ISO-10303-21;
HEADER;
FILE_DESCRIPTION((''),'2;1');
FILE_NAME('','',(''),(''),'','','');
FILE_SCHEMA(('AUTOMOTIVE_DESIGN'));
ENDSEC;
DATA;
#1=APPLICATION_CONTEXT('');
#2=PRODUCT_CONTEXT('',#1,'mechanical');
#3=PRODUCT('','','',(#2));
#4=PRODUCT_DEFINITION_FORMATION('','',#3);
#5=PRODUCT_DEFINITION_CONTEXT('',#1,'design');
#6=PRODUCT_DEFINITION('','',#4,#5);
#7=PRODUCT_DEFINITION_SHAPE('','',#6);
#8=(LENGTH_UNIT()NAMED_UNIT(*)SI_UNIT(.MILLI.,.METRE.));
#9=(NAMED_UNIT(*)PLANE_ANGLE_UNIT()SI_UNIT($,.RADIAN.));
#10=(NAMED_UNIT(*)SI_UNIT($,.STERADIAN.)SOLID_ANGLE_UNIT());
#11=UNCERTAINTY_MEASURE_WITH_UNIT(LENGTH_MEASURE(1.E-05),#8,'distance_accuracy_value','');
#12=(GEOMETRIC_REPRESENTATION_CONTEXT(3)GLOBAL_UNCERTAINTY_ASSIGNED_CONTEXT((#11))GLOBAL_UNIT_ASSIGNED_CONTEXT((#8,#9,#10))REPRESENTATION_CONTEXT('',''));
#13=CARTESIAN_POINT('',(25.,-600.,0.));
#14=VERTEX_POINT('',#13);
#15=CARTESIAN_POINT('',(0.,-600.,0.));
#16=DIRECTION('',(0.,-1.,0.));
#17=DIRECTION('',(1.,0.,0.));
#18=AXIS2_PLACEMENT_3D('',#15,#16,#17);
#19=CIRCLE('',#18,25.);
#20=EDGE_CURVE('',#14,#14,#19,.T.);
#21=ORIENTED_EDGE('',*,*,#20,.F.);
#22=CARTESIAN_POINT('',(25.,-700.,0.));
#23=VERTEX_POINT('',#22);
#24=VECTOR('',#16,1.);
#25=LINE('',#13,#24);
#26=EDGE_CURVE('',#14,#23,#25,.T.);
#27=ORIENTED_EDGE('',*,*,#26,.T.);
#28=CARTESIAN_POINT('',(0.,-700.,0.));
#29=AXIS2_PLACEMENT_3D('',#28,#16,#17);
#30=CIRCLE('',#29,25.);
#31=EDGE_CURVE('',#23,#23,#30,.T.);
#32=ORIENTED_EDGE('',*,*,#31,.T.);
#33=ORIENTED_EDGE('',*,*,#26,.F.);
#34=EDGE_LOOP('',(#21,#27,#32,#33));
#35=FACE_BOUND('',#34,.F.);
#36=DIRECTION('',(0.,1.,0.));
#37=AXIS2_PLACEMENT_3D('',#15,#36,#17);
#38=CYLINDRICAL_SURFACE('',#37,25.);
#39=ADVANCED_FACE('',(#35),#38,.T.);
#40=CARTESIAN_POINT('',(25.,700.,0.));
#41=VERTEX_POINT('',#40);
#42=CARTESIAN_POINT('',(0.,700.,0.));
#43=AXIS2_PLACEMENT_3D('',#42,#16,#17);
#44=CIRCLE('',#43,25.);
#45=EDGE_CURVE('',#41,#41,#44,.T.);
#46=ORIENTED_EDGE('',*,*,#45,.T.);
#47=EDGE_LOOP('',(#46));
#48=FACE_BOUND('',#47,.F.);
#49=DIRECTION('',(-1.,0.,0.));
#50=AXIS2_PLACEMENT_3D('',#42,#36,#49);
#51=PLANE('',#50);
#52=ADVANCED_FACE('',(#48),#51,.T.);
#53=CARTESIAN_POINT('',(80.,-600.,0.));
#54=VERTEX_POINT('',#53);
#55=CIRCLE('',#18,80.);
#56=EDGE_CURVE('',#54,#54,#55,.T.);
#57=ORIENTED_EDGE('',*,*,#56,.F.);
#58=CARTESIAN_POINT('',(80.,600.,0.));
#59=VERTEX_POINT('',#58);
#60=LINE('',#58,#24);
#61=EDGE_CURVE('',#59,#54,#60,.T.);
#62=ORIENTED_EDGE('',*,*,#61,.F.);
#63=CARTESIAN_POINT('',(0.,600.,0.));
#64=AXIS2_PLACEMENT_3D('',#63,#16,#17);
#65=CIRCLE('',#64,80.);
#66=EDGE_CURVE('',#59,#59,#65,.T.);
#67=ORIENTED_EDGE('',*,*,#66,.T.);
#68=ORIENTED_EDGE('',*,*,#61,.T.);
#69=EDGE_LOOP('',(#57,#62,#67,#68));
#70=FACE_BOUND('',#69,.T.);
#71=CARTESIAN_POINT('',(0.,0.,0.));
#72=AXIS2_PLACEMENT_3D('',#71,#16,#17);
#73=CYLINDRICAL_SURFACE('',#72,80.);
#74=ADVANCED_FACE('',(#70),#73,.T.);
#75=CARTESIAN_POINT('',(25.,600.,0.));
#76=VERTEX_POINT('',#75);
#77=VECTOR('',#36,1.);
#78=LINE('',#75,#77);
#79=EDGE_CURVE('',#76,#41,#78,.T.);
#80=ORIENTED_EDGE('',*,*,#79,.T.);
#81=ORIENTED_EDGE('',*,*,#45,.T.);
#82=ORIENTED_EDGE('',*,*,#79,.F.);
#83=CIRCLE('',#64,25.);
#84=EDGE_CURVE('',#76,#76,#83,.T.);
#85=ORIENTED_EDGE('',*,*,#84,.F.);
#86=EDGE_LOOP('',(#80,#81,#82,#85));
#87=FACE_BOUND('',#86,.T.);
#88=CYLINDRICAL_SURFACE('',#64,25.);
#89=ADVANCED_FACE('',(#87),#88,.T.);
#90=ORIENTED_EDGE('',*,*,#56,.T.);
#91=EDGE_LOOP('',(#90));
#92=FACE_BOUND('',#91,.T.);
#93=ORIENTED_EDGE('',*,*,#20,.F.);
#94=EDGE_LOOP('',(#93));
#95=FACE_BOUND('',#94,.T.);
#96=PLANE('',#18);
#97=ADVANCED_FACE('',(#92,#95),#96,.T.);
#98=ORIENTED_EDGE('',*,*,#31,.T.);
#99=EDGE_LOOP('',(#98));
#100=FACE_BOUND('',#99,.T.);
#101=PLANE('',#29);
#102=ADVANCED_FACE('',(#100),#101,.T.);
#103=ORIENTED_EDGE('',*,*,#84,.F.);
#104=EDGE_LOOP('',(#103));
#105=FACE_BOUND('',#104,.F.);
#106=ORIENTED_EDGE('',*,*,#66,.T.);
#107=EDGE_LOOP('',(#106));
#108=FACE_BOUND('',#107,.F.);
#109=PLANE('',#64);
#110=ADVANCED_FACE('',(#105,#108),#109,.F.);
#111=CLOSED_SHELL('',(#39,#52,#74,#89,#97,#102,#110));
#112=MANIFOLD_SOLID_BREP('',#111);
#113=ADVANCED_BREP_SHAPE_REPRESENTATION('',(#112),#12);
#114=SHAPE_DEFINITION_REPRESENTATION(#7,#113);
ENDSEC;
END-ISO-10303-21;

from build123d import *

# Parameters (mm, degrees)
F0_R     = 80
F1_DEPTH = 600
F2_R     = 25
F3_DEPTH = 100


with BuildPart() as f1:
    # F0 (on Front) → F1 (new body, symmetric)
    with BuildSketch(Plane.XZ):
        Circle(F0_R)
    extrude(amount=F1_DEPTH, both=True)

    # F2 (on face) → F3 (join)
    with BuildSketch(Plane.XZ.offset(600)):
        Circle(F2_R)
    extrude(amount=F3_DEPTH)

    # F4: F1 across plane


with BuildPart() as f1_1:
    add(f1.part)
    add(f1.part.mirror(Plane.XZ))


solid = f1_1.part
